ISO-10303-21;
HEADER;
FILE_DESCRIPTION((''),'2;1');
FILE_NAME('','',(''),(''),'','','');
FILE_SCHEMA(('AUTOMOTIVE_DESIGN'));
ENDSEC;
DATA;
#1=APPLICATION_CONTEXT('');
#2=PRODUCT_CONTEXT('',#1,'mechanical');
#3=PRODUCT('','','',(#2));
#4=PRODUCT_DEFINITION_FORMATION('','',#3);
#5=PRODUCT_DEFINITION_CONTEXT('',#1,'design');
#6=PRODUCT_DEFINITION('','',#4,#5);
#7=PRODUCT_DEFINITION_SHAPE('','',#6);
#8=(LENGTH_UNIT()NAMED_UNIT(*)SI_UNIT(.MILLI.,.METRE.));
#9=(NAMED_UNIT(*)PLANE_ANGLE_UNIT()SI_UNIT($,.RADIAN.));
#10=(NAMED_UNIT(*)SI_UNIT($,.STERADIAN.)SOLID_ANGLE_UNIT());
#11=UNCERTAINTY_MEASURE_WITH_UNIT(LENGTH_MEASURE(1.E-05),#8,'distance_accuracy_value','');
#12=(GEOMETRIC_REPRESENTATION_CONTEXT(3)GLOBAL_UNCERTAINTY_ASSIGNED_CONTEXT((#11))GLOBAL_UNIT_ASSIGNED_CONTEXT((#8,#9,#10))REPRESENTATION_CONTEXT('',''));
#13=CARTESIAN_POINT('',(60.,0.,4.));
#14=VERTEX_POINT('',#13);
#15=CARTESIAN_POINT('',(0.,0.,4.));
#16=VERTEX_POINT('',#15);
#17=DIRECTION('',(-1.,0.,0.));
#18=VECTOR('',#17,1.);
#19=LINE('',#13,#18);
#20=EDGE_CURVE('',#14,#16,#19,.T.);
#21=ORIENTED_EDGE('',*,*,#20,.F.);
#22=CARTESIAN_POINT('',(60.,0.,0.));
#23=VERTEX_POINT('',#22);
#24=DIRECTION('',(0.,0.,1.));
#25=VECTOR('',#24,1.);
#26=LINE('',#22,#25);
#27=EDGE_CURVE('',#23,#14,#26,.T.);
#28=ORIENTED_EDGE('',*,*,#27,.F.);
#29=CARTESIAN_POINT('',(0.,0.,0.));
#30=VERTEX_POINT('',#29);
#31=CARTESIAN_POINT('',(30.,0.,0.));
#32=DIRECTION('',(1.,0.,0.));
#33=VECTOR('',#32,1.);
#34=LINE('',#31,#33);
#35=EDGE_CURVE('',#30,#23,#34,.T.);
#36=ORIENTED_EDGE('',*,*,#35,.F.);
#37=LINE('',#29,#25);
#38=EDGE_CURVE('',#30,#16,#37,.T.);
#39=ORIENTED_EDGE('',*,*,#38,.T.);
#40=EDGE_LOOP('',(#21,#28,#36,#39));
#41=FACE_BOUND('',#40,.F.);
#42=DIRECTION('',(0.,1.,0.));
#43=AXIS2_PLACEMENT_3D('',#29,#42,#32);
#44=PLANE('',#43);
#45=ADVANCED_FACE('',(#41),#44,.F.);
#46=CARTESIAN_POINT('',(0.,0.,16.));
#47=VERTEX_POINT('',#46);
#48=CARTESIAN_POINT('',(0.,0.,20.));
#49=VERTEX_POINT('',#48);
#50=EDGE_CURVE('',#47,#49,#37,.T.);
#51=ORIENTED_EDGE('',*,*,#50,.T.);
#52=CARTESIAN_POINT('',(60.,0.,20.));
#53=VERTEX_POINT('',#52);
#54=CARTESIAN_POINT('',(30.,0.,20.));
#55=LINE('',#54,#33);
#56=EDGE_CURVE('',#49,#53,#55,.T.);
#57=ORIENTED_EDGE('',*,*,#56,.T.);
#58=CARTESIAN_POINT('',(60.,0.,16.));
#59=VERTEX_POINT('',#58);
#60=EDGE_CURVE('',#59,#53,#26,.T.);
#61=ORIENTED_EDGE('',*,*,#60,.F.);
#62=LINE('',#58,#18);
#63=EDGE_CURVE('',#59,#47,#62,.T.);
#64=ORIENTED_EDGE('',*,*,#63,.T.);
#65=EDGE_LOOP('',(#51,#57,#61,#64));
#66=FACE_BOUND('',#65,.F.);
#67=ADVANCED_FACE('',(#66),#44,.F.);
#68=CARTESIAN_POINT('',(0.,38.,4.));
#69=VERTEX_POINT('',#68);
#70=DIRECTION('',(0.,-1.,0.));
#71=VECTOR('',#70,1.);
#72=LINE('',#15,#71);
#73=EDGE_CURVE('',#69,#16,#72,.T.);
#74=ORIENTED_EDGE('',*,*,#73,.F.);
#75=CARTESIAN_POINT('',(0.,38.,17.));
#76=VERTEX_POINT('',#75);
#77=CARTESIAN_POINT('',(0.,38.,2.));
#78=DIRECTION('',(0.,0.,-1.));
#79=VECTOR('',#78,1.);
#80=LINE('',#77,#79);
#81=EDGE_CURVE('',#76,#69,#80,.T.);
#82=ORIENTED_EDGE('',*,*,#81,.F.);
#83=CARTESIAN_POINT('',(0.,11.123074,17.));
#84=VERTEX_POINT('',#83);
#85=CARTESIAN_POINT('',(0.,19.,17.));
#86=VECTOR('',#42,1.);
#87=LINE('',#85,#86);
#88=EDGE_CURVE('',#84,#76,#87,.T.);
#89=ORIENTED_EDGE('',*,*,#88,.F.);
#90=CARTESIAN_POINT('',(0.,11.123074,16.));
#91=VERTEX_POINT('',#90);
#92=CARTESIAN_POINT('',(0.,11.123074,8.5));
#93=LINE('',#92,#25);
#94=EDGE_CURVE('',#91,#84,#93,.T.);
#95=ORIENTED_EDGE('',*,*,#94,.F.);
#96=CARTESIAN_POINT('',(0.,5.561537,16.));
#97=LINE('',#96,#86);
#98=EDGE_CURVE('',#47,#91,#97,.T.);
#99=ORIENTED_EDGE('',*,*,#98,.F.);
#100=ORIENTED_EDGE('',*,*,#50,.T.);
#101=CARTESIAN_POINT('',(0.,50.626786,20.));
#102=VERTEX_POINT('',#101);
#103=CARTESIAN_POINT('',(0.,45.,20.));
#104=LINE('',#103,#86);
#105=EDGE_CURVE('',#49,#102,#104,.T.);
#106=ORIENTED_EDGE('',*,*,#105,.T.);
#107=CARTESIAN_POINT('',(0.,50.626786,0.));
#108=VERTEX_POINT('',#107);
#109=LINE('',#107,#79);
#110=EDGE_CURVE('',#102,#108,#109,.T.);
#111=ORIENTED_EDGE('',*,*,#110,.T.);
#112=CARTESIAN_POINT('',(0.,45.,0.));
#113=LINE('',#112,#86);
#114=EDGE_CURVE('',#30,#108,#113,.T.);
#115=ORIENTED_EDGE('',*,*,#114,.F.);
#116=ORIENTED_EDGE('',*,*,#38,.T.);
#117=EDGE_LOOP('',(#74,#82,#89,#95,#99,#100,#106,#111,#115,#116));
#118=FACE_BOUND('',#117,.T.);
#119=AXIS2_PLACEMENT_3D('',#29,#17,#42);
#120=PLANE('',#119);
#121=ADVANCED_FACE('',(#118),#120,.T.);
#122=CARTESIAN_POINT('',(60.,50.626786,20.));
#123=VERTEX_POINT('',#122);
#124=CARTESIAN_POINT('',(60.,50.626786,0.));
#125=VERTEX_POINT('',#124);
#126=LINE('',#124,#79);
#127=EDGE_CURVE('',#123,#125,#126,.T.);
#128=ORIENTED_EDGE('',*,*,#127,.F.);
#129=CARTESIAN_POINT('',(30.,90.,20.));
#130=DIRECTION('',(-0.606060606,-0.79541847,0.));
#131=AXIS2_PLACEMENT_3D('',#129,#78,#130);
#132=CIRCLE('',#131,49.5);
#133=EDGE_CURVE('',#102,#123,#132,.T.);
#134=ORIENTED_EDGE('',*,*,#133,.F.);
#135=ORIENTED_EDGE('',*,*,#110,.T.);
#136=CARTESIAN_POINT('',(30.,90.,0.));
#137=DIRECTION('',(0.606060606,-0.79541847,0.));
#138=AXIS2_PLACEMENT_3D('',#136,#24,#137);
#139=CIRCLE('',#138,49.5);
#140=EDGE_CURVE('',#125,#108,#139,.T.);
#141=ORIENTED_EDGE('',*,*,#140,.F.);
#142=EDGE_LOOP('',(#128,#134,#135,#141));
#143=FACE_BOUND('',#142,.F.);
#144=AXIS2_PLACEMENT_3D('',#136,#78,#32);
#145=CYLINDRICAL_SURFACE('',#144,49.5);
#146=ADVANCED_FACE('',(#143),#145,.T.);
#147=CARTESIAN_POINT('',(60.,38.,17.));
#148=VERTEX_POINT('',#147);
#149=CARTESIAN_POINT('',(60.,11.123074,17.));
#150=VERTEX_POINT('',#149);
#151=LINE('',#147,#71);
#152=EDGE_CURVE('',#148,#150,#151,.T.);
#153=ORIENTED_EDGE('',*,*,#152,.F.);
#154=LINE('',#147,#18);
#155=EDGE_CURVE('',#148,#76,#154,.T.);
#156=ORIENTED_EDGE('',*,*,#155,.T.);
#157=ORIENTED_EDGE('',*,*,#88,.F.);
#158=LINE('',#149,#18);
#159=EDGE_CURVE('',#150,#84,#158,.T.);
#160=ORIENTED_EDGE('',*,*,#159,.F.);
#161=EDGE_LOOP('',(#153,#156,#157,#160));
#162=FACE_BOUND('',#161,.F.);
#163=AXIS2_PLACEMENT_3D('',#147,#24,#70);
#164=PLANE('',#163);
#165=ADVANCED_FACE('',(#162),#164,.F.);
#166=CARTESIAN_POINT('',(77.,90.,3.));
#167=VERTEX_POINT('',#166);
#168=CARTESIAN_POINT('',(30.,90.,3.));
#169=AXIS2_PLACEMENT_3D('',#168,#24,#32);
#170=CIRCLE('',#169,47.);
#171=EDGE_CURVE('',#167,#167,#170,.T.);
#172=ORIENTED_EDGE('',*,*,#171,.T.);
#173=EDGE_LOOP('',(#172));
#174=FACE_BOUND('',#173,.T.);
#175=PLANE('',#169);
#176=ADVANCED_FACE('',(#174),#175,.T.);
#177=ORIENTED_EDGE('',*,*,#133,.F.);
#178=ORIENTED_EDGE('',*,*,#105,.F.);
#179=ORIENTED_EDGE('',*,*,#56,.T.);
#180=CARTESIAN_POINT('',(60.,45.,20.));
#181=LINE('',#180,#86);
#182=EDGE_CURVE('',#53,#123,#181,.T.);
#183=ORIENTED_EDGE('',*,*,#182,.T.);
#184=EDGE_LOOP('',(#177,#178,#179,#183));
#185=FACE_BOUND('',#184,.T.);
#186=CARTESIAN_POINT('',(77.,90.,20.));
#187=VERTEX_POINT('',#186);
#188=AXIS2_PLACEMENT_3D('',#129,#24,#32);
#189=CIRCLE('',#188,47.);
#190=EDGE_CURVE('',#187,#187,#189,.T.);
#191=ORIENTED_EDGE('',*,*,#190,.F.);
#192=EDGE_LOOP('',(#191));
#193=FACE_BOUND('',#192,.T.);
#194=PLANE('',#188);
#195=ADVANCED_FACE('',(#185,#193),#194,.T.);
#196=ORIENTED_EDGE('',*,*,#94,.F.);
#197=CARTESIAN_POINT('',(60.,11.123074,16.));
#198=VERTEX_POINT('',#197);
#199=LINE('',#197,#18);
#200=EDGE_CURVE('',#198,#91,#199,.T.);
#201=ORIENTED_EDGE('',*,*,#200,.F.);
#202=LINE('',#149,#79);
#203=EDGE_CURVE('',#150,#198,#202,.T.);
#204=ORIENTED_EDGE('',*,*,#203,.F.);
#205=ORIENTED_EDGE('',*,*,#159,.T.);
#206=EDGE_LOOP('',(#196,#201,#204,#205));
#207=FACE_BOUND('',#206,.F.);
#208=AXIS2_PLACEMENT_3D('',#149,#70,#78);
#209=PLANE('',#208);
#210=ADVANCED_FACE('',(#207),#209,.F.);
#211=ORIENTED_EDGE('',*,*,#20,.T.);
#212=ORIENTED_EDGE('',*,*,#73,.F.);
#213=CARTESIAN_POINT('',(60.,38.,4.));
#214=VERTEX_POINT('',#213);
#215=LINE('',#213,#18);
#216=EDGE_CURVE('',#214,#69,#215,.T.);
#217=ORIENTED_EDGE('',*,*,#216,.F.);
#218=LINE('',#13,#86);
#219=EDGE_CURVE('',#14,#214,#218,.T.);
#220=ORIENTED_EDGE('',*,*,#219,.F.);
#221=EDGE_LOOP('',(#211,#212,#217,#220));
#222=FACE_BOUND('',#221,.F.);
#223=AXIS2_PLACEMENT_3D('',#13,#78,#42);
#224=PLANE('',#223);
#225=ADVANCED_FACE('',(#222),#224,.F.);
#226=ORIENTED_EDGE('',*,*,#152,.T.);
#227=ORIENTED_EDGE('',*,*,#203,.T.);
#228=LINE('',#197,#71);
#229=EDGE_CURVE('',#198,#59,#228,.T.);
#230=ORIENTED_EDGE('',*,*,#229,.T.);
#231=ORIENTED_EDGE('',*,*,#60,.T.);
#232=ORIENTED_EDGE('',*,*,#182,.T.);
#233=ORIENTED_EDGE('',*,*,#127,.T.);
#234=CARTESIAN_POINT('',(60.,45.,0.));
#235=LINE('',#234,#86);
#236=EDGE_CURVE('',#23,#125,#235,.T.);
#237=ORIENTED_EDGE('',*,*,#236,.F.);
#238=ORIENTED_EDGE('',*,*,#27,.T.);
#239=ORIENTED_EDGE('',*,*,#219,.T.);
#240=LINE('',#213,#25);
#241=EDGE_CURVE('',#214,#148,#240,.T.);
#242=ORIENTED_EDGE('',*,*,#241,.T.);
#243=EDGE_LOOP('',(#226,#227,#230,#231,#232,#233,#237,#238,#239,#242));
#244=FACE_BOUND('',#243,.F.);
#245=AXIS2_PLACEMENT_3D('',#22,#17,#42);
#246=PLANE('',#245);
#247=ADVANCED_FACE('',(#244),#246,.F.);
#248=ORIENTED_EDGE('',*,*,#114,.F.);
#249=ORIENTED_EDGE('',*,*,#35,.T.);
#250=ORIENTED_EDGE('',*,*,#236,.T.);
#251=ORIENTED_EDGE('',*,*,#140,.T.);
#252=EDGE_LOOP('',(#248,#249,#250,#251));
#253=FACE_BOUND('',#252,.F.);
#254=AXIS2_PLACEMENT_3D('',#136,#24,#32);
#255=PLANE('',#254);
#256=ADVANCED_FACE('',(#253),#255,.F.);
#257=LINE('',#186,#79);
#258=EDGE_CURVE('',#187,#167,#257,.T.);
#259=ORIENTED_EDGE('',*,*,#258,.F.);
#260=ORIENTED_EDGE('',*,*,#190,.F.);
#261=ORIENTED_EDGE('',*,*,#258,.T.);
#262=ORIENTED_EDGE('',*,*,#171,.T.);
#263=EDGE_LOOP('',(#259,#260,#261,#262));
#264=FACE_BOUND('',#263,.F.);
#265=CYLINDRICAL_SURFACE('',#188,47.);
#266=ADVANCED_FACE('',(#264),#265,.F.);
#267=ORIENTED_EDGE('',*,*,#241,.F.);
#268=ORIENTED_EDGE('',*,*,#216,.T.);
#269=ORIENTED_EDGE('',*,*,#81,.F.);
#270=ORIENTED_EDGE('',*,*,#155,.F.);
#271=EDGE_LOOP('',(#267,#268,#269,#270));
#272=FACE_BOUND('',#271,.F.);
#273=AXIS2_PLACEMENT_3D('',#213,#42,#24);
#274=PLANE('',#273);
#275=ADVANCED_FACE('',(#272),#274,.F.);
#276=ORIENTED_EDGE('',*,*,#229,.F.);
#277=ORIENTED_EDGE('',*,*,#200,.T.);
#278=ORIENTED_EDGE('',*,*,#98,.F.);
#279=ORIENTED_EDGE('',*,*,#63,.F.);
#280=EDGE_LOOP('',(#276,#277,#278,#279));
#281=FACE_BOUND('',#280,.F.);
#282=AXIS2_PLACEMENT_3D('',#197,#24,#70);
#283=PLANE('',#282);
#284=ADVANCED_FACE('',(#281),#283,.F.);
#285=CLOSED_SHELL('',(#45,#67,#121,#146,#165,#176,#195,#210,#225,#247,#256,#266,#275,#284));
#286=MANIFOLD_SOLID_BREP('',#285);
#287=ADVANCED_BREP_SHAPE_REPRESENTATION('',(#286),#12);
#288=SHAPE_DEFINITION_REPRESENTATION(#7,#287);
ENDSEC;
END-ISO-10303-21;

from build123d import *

# Parameters (mm, degrees)
F0_W     = 60
F0_H     = 90
F1_DEPTH = 20
F2_R     = 49.5
F3_DEPTH = 20
F4_R     = 47
F5_DEPTH = 17
F8_DEPTH = 79.501


with BuildPart() as f1:
    # F0 (on Top) → F1 (new body)
    with BuildSketch(Plane.XY):
        with Locations((30, 45)):
            Rectangle(F0_W, F0_H)
    extrude(amount=F1_DEPTH)

    # F2 (on Top) → F3 (join)
    with BuildSketch(Plane.XY):
        with Locations((30, 90)):
            Circle(F2_R)
    extrude(amount=F3_DEPTH)

    # F4 (on face) → F5 (cut)
    with BuildSketch(Plane.XY.offset(20)):
        with Locations((30, 90)):
            Circle(F4_R)
    extrude(amount=-F5_DEPTH, mode=Mode.SUBTRACT)

    # F7 (on face) → F8 (cut, through all)
    with BuildSketch(Plane.YZ.offset(60)):
        Polygon((11.123074, 16), (0, 16), (0, 4), (17.377608, 4), (38, 4), (38, 16), (38, 17), (11.123074, 17), align=None)
    extrude(amount=-F8_DEPTH, mode=Mode.SUBTRACT)


solid = f1.part
